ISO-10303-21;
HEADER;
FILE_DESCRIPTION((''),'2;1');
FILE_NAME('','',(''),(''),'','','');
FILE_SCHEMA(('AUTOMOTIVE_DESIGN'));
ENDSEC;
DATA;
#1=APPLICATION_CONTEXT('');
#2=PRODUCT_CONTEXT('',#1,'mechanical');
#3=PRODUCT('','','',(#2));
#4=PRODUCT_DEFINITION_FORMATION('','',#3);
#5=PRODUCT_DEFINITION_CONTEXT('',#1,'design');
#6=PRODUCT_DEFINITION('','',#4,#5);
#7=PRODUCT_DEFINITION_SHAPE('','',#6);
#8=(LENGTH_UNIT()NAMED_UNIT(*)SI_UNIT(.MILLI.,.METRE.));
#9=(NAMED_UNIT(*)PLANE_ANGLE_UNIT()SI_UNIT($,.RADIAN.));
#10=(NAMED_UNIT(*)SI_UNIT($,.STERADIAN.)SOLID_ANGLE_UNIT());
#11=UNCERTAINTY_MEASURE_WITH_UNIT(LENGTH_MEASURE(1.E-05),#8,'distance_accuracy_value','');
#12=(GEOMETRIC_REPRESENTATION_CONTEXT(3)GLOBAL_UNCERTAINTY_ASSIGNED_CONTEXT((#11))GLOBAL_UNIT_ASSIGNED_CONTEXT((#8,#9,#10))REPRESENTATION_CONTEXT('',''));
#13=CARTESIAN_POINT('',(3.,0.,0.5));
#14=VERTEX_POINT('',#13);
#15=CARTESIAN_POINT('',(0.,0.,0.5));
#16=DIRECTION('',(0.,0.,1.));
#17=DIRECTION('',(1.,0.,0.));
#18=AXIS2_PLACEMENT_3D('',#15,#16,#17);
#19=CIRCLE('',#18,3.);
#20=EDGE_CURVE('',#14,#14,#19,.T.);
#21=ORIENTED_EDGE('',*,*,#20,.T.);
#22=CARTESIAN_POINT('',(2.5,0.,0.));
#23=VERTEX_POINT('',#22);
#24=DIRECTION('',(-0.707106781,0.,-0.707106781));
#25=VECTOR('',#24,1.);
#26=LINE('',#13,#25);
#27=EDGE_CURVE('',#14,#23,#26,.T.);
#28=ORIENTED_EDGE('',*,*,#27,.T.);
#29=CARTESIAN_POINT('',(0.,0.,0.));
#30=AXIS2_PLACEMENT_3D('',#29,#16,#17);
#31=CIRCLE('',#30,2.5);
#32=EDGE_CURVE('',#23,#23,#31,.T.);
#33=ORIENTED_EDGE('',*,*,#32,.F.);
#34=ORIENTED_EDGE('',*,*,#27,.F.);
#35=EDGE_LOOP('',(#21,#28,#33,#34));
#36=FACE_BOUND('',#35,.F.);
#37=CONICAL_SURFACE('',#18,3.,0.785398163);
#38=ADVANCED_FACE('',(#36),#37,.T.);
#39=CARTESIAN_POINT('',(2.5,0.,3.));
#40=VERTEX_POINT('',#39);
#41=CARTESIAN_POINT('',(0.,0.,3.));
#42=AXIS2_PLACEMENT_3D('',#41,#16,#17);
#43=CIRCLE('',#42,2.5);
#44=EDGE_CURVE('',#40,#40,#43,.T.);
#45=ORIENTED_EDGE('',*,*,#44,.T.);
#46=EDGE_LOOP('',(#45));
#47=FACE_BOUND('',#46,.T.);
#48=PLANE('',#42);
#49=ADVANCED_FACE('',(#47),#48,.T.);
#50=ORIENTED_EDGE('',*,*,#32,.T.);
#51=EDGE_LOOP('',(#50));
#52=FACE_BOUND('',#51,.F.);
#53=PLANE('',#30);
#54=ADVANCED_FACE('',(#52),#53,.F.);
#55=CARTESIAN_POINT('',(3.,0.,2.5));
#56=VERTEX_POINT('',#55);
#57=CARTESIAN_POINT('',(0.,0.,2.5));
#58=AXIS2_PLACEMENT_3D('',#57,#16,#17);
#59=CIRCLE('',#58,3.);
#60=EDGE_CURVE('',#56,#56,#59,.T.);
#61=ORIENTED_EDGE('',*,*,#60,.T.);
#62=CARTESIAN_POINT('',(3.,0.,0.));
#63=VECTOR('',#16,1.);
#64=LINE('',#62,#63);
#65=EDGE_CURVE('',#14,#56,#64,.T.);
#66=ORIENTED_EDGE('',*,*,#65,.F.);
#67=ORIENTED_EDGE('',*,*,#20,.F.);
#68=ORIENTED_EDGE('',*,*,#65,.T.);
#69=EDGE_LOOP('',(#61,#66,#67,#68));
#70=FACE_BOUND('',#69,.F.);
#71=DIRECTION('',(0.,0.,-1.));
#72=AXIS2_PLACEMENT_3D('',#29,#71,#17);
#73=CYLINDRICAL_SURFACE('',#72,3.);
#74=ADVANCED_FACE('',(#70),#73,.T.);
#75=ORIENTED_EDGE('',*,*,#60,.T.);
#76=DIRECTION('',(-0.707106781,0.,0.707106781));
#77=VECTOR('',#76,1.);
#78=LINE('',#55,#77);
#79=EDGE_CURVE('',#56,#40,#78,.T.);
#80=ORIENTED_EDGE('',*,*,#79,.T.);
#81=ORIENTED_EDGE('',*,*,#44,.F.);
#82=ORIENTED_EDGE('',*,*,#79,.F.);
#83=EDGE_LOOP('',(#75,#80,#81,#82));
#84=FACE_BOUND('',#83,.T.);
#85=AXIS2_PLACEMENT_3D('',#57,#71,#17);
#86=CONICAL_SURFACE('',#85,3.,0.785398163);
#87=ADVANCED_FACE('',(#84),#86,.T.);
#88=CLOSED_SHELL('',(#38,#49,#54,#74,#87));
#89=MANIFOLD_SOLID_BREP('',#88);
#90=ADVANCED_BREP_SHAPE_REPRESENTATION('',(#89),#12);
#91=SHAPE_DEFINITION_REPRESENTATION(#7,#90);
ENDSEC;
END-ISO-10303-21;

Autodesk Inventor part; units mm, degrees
ref_plane "YZ Plane" through (0, 0, 0) normal (1, 0, 0) x (0, 1, 0)
ref_plane "XZ Plane" through (0, 0, 0) normal (0, 1, 0) x (-1, 0, 0)
ref_plane "XY Plane" through (0, 0, 0) normal (0, 0, 1) x (1, 0, 0)
sketch "Skizze1" plane through (0, 0, 0) normal (0, 0, 1) x (1, 0, 0)
  circle A0 centre (0, 0) radius 3
  dimension "d0" = 6
extrude "Extrusion1" add sketch "Skizze1" along normal blind 3
chamfer "Fasen1" distance 0.5 angle 45 2 edges at (-3, 0, 3) (-3, 0, 0)
properties part number "Magnet"
